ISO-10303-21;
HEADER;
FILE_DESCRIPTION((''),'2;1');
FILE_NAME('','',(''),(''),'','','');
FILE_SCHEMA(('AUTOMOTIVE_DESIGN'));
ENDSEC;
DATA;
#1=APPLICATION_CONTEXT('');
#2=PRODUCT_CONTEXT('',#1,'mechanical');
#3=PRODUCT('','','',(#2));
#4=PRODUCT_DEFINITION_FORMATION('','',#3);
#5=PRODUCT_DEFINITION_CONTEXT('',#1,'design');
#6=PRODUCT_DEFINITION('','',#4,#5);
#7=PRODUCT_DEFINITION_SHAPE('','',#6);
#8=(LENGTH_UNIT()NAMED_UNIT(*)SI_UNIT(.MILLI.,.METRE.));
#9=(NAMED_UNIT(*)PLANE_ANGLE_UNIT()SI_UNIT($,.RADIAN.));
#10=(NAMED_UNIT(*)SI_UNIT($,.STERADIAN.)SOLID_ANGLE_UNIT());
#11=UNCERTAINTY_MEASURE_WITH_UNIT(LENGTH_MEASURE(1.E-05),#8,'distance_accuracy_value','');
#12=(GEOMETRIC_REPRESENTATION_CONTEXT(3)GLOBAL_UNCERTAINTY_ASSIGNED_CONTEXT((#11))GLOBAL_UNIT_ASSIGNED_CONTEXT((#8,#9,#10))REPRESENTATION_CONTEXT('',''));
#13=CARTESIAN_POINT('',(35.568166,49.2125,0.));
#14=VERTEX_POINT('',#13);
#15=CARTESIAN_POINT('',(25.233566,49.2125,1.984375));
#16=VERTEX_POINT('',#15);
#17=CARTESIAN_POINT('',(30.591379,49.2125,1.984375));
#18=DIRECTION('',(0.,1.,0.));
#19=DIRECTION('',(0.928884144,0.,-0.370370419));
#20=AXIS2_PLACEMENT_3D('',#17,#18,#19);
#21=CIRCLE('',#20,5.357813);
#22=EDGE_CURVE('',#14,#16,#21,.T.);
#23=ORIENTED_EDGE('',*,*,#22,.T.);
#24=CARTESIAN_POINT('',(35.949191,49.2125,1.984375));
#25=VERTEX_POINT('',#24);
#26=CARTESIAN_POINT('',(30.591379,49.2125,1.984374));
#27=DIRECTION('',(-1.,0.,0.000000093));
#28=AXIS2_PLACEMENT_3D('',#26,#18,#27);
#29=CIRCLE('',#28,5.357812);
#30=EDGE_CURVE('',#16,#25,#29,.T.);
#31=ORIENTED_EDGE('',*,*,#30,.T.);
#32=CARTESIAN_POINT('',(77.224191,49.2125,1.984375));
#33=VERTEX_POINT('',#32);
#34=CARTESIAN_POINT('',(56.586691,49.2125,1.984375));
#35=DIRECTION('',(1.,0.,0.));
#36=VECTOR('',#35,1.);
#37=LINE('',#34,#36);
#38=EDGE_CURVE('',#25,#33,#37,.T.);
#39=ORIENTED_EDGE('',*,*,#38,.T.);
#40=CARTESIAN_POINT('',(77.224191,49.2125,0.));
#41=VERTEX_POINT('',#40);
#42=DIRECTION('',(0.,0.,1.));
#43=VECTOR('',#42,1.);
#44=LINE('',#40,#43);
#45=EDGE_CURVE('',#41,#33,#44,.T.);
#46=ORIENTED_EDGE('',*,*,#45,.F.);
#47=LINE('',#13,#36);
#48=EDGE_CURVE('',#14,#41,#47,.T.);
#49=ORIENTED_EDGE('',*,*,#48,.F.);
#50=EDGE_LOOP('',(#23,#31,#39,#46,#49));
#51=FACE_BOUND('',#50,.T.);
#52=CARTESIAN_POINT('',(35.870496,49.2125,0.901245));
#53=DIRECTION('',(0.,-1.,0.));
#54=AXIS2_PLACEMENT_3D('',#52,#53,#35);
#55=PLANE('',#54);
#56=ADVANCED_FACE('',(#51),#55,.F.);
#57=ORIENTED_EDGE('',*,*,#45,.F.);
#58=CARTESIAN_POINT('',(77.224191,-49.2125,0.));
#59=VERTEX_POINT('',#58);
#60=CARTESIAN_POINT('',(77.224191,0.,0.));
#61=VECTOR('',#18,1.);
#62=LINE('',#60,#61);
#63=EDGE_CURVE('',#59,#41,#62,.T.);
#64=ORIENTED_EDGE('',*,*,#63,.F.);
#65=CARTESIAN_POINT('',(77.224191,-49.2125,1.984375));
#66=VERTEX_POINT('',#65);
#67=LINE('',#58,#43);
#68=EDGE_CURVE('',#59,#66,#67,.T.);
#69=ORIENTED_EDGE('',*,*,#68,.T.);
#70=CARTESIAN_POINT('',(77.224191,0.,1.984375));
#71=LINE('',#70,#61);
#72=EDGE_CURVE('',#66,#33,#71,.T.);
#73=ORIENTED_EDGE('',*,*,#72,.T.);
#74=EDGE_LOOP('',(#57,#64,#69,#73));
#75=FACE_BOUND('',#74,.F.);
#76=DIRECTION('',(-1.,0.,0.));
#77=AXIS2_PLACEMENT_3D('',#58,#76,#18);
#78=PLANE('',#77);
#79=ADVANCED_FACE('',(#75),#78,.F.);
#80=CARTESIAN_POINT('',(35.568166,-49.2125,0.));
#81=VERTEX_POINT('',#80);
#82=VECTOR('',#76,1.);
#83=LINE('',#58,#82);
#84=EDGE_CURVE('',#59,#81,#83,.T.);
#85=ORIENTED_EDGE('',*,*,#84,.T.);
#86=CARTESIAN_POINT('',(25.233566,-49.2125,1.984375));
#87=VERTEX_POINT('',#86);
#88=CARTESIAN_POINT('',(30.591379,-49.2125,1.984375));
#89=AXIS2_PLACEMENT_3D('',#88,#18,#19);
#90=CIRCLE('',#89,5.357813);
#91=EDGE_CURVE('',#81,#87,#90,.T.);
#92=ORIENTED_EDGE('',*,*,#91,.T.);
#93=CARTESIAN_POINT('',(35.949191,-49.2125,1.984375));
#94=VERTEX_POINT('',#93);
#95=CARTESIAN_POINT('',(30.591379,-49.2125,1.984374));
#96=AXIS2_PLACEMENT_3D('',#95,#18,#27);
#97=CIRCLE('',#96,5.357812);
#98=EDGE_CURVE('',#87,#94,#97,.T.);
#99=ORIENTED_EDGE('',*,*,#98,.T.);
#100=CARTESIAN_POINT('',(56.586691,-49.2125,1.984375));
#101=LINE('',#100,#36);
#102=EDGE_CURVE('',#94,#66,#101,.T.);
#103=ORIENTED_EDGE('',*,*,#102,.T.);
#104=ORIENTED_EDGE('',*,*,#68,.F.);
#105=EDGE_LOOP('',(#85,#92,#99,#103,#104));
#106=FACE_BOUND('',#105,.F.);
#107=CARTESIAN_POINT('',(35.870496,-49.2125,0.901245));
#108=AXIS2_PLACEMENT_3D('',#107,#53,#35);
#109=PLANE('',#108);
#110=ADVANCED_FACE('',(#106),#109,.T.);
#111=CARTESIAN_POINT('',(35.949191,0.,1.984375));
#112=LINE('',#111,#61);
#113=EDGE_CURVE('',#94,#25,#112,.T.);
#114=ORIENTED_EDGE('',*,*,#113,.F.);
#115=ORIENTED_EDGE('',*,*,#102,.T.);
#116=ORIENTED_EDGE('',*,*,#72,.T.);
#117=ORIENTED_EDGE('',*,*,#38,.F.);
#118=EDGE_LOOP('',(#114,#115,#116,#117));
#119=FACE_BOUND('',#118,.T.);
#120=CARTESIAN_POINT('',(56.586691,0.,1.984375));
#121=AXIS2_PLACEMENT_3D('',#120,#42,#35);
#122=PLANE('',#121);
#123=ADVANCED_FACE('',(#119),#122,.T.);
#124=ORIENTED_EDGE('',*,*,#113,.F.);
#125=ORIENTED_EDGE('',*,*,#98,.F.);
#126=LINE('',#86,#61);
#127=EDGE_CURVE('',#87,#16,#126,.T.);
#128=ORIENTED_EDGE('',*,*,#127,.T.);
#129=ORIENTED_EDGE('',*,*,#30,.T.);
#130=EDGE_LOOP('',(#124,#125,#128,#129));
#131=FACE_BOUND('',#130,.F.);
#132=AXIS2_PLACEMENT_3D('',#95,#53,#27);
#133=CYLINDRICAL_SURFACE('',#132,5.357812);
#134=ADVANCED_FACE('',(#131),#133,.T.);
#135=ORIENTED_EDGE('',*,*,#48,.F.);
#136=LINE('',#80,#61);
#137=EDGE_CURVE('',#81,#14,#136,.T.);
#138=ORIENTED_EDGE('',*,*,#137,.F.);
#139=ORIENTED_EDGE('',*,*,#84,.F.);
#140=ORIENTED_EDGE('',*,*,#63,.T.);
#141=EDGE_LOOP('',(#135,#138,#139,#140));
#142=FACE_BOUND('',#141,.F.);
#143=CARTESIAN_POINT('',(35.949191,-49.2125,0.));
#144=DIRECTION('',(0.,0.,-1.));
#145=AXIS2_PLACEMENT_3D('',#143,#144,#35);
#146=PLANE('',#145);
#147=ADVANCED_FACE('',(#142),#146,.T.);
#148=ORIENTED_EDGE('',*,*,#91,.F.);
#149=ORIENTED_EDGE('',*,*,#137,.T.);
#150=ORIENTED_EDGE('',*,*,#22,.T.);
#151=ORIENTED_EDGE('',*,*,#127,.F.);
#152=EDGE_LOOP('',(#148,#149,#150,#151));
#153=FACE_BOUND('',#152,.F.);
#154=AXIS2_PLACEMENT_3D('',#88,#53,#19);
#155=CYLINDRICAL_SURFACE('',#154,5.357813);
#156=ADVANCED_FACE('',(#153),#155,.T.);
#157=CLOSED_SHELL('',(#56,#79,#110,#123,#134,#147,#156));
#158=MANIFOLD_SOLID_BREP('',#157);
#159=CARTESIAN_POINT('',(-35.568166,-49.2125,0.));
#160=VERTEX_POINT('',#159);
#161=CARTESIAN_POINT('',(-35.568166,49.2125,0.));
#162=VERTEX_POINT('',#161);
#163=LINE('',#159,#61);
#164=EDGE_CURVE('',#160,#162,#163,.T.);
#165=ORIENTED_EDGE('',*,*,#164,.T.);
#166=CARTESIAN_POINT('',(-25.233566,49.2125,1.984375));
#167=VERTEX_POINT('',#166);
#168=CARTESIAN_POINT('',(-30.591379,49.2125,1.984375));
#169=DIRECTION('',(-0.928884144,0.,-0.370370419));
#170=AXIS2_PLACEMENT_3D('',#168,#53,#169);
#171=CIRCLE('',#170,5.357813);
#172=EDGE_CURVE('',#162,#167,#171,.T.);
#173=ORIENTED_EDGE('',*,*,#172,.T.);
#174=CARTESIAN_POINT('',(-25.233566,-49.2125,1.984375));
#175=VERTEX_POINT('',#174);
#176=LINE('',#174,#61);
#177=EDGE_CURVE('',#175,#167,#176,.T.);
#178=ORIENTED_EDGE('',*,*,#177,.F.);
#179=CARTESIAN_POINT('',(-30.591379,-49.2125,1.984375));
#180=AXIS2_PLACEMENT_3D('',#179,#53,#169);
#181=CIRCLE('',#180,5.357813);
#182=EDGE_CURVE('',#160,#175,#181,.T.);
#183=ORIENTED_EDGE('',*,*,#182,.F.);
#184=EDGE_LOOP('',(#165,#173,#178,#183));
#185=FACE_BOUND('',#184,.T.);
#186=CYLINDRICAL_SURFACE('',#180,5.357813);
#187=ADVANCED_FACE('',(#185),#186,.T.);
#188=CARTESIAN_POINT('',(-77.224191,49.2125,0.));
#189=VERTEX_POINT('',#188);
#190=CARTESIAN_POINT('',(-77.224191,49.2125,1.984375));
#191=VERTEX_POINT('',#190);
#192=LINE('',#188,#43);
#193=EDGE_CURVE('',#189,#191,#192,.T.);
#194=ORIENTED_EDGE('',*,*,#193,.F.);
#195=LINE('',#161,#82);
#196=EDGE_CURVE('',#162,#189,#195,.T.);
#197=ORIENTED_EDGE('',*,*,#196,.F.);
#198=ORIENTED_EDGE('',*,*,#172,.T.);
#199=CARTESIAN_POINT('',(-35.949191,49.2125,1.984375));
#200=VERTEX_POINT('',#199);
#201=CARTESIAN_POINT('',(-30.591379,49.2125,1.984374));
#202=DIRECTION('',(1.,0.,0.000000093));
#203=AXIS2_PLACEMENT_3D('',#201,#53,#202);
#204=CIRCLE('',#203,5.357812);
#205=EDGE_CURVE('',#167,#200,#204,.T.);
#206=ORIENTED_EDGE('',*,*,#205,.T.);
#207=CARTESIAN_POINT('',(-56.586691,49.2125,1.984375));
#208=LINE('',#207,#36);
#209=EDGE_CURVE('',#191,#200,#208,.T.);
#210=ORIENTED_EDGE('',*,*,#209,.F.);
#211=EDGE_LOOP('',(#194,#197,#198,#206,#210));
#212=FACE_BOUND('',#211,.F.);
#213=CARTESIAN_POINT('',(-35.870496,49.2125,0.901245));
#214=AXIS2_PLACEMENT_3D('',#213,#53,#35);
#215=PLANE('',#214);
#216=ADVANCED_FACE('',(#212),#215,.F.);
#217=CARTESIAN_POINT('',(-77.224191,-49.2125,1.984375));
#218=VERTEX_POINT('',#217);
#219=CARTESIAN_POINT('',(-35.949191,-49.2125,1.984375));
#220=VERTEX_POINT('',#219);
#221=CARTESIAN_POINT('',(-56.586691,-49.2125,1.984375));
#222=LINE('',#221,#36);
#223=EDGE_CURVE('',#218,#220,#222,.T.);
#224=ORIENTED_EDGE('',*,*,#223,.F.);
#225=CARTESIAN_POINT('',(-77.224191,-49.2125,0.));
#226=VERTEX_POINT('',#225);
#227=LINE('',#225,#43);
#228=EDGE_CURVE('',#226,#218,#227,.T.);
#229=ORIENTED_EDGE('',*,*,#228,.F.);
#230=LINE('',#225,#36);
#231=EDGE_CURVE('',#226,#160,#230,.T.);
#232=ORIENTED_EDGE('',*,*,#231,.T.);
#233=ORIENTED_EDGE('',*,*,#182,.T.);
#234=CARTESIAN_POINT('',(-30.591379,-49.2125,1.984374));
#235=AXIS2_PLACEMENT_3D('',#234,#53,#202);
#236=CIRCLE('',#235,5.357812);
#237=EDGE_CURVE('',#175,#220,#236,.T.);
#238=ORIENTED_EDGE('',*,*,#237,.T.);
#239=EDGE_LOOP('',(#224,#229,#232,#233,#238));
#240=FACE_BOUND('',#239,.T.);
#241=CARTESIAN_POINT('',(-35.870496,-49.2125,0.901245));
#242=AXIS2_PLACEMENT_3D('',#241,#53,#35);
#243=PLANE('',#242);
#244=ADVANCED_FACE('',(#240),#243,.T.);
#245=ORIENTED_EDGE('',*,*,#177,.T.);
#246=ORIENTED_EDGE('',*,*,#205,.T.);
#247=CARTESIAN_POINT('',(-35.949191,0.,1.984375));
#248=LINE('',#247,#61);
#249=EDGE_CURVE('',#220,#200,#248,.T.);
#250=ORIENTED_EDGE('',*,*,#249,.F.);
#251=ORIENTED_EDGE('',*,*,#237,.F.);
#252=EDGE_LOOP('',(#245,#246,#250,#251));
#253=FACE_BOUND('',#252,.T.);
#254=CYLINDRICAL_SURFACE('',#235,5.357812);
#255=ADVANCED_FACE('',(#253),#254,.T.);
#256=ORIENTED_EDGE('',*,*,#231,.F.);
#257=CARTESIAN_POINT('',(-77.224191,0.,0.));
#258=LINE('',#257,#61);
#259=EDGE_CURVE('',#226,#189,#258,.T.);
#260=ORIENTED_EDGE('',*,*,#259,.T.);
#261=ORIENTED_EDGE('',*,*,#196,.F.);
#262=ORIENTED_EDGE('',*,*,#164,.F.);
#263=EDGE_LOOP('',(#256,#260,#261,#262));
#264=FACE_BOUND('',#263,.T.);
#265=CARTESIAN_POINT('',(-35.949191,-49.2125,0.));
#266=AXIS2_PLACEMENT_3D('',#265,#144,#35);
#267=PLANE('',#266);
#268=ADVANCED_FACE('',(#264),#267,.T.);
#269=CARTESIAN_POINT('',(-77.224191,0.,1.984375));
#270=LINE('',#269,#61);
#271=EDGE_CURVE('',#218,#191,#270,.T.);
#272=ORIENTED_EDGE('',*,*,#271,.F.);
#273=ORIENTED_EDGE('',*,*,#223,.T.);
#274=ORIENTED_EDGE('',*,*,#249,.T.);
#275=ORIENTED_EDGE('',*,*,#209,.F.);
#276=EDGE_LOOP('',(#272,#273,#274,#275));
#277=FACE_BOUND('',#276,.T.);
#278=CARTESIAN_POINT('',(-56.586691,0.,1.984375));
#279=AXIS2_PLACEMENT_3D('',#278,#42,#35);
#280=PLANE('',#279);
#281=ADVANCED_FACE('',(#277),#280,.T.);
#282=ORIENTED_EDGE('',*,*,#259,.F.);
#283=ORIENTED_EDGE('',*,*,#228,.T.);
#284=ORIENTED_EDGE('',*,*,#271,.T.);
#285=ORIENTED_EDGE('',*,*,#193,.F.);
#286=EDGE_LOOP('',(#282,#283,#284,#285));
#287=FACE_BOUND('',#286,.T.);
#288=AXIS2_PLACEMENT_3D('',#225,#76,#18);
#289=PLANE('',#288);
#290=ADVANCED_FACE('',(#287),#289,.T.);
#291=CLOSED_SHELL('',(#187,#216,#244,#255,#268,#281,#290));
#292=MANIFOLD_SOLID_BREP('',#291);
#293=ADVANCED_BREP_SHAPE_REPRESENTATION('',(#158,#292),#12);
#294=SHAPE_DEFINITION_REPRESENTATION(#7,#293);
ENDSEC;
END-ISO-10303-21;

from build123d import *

# Parameters (mm, degrees)
F0_W     = 41.275
F0_H     = 98.425
F1_DEPTH = 1.984375
F3_DEPTH = 98.425


with BuildPart() as f1:
    # F0 (on Top) → F1 (new body)
    with BuildSketch(Plane.XY):
        with Locations((-56.586691, 0)):
            Rectangle(F0_W, F0_H)
        with Locations((56.586691, 0)):
            Rectangle(F0_W, F0_H)
    extrude(amount=F1_DEPTH)

    # F2 (on face) → F3 (join)
    with BuildSketch(Plane.XZ.offset(49.2125)):
        with BuildLine():
            ThreePointArc((-35.568166, 0), (-35.853073, 0.974063), (-35.949191, 1.984375))
            Line((-35.949191, 1.984375), (-35.949191, 0))
            Line((-35.949191, 0), (-35.568166, 0))
        make_face()
        with BuildLine():
            ThreePointArc((-35.568166, 0), (-29.581067, -3.277319), (-25.233566, 1.984375))
            ThreePointArc((-25.233566, 1.984375), (-30.591379, 7.342187), (-35.949191, 1.984375))
            ThreePointArc((-35.949191, 1.984375), (-35.853073, 0.974063), (-35.568166, 0))
        make_face()
    extrude(amount=-F3_DEPTH)

    # F4: F1 across plane


with BuildPart() as f1_1:
    add(f1.part)
    add(f1.part.mirror(Plane.YZ))


solid = f1_1.part
